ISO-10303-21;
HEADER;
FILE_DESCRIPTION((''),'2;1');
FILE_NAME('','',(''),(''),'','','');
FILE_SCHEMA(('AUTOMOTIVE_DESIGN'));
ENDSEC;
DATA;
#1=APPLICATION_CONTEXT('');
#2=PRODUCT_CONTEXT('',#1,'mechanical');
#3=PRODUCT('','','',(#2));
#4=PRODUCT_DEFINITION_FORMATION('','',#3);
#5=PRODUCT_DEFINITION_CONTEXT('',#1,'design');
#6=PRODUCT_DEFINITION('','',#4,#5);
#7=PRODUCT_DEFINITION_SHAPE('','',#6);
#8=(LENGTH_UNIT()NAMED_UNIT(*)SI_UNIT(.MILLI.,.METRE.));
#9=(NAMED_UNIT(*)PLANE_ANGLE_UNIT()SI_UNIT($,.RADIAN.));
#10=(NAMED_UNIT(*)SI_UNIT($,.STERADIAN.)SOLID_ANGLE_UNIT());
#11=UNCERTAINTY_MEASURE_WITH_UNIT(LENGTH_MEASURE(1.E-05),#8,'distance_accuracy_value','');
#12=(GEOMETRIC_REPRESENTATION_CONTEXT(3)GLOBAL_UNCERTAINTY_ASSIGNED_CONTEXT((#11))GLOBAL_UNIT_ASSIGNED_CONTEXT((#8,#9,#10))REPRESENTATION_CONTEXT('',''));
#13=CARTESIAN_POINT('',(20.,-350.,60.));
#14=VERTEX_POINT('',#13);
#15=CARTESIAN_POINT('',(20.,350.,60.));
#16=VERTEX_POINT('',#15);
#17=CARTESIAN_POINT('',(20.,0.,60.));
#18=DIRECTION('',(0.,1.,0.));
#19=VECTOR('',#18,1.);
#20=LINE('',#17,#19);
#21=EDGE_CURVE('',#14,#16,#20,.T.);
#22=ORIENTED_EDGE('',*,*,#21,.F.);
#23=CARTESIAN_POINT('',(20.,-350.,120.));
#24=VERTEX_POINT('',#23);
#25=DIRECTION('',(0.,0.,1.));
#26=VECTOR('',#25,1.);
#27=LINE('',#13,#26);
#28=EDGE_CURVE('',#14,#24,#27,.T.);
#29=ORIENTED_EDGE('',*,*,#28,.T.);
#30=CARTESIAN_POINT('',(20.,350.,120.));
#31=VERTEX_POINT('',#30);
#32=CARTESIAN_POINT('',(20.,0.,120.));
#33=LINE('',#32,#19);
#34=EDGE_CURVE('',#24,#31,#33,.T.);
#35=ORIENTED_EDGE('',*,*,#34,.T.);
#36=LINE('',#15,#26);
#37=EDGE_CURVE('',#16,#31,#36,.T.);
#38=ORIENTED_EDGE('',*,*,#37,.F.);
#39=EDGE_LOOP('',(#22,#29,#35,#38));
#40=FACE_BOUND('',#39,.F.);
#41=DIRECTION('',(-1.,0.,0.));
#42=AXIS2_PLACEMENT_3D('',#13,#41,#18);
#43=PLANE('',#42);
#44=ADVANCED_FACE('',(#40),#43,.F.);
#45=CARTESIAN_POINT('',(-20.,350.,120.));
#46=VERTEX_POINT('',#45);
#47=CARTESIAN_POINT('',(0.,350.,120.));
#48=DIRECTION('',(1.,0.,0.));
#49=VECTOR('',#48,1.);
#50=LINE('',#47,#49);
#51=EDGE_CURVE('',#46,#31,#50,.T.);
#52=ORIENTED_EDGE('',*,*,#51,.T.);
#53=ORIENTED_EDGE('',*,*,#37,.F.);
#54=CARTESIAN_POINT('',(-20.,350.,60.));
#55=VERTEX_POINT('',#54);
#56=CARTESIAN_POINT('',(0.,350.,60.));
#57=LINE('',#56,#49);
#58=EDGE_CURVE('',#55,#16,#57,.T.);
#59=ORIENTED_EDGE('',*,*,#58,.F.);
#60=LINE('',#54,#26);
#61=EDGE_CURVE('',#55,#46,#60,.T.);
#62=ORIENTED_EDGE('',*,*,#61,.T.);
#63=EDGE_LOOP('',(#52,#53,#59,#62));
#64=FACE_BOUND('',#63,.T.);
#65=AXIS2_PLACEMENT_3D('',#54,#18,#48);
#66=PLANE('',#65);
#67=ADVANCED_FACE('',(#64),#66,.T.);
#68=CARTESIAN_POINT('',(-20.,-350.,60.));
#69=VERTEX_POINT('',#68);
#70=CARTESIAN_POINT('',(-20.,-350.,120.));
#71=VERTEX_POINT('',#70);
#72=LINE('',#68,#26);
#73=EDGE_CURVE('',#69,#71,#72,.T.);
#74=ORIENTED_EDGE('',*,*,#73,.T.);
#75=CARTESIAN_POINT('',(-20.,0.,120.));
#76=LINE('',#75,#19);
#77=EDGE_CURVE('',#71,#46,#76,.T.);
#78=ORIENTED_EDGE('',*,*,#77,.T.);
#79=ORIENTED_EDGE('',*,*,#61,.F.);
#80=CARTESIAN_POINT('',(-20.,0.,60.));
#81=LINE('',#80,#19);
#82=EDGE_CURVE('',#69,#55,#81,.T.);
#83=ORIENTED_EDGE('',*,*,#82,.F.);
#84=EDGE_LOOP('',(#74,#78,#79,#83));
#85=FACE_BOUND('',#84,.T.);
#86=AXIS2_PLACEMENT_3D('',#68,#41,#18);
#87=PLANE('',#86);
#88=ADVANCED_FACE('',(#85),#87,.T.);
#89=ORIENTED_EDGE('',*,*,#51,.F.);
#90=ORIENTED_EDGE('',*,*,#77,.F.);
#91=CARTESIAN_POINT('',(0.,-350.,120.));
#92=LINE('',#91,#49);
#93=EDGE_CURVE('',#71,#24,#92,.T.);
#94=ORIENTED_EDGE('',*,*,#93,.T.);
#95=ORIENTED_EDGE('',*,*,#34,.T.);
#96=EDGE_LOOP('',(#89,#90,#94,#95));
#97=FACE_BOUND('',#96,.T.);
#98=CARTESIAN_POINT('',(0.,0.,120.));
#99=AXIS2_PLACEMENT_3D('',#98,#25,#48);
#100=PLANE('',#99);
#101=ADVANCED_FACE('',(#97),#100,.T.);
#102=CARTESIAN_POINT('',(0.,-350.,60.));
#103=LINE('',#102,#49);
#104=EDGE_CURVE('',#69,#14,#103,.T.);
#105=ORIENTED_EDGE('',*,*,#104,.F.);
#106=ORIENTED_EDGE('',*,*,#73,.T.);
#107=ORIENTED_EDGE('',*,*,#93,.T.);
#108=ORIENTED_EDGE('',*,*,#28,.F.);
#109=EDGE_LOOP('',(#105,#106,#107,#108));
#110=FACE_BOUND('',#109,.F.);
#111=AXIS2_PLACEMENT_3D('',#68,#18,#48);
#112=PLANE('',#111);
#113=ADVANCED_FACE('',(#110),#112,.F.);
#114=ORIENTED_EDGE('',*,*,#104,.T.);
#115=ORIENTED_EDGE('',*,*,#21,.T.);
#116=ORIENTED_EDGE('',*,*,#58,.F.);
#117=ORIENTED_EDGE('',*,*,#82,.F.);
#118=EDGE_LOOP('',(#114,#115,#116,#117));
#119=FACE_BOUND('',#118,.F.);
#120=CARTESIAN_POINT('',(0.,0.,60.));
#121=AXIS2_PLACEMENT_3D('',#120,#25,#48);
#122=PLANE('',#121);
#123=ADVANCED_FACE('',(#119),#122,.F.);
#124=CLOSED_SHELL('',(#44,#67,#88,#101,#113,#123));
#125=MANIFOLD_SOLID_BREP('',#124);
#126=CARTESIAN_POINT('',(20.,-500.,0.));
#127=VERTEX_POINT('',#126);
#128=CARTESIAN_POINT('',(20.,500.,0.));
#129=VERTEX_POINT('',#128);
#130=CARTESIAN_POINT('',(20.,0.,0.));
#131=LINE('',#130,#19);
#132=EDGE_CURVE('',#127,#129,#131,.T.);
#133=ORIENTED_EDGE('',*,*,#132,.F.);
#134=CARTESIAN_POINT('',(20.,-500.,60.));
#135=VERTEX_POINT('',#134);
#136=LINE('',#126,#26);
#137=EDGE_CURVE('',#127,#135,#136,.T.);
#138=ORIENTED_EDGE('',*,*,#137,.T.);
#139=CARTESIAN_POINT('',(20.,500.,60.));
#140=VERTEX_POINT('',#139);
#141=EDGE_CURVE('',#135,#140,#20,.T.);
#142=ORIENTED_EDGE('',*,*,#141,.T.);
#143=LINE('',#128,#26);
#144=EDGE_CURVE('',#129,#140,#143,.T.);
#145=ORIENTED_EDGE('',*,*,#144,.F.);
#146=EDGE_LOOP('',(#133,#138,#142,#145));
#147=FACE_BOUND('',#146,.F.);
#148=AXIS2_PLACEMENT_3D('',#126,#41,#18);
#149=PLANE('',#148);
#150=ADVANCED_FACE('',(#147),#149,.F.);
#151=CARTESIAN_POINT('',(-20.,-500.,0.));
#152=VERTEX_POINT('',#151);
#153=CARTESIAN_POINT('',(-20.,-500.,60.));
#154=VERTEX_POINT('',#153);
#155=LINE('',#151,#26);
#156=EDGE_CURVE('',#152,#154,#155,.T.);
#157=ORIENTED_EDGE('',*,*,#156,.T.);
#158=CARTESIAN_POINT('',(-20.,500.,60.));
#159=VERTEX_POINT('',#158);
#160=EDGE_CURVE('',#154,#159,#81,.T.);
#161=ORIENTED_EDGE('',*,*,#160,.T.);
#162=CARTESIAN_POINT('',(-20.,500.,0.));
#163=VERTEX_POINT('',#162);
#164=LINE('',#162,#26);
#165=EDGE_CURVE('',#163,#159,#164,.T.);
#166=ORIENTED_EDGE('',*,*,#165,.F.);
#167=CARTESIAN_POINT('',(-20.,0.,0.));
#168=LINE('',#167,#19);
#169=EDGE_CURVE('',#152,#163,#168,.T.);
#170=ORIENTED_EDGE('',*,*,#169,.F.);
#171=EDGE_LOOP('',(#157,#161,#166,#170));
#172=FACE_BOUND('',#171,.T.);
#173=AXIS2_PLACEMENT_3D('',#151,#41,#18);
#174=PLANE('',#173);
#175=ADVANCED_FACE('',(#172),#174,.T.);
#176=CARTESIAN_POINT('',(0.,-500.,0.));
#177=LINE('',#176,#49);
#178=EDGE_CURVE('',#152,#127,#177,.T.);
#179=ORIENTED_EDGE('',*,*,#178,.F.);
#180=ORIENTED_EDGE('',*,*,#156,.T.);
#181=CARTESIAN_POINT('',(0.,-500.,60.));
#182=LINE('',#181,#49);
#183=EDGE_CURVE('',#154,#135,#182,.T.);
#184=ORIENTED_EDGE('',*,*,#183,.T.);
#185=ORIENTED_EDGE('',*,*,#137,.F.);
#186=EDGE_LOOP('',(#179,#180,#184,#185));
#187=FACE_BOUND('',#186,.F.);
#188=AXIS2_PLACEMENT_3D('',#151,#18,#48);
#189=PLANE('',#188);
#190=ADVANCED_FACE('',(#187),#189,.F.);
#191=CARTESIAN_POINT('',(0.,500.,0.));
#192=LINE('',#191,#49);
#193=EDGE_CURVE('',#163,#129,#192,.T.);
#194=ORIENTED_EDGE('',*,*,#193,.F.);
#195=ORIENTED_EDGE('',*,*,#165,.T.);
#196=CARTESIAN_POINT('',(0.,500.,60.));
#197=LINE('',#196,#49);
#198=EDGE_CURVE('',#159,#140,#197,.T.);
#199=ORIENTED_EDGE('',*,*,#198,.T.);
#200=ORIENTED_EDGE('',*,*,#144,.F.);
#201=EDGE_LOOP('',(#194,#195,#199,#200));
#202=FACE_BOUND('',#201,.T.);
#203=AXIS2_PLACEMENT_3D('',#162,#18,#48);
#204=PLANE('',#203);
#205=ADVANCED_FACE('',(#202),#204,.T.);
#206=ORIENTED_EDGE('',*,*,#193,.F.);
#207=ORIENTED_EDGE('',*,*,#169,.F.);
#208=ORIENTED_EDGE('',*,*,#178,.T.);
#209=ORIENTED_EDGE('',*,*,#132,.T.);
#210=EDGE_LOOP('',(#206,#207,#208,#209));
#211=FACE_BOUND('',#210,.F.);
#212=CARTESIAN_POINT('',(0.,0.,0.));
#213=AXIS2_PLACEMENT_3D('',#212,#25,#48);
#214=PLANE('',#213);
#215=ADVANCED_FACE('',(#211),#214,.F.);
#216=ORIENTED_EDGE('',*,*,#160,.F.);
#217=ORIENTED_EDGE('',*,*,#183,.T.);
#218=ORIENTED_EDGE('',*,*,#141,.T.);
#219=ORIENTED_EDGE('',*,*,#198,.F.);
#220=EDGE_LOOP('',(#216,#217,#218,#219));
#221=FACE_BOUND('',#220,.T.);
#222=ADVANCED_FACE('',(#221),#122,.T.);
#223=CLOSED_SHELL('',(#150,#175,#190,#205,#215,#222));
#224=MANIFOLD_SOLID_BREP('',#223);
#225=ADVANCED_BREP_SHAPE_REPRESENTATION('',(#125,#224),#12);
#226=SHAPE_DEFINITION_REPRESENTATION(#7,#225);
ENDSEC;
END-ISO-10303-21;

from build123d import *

# Parameters (mm, degrees)
F0_W     = 40
F0_H     = 1000
F1_DEPTH = 60
F2_W     = 40
F2_H     = 700
F3_DEPTH = 60


with BuildPart() as f1:
    # F0 (on Top) → F1 (new body)
    with BuildSketch(Plane.XY):
        Rectangle(F0_W, F0_H)
    extrude(amount=F1_DEPTH)


with BuildPart() as f3:
    # F2 (on face) → F3 (new body)
    with BuildSketch(Plane.XY.offset(60)):
        Rectangle(F2_W, F2_H)
    extrude(amount=F3_DEPTH)


solid = Compound([f1.part, f3.part])
